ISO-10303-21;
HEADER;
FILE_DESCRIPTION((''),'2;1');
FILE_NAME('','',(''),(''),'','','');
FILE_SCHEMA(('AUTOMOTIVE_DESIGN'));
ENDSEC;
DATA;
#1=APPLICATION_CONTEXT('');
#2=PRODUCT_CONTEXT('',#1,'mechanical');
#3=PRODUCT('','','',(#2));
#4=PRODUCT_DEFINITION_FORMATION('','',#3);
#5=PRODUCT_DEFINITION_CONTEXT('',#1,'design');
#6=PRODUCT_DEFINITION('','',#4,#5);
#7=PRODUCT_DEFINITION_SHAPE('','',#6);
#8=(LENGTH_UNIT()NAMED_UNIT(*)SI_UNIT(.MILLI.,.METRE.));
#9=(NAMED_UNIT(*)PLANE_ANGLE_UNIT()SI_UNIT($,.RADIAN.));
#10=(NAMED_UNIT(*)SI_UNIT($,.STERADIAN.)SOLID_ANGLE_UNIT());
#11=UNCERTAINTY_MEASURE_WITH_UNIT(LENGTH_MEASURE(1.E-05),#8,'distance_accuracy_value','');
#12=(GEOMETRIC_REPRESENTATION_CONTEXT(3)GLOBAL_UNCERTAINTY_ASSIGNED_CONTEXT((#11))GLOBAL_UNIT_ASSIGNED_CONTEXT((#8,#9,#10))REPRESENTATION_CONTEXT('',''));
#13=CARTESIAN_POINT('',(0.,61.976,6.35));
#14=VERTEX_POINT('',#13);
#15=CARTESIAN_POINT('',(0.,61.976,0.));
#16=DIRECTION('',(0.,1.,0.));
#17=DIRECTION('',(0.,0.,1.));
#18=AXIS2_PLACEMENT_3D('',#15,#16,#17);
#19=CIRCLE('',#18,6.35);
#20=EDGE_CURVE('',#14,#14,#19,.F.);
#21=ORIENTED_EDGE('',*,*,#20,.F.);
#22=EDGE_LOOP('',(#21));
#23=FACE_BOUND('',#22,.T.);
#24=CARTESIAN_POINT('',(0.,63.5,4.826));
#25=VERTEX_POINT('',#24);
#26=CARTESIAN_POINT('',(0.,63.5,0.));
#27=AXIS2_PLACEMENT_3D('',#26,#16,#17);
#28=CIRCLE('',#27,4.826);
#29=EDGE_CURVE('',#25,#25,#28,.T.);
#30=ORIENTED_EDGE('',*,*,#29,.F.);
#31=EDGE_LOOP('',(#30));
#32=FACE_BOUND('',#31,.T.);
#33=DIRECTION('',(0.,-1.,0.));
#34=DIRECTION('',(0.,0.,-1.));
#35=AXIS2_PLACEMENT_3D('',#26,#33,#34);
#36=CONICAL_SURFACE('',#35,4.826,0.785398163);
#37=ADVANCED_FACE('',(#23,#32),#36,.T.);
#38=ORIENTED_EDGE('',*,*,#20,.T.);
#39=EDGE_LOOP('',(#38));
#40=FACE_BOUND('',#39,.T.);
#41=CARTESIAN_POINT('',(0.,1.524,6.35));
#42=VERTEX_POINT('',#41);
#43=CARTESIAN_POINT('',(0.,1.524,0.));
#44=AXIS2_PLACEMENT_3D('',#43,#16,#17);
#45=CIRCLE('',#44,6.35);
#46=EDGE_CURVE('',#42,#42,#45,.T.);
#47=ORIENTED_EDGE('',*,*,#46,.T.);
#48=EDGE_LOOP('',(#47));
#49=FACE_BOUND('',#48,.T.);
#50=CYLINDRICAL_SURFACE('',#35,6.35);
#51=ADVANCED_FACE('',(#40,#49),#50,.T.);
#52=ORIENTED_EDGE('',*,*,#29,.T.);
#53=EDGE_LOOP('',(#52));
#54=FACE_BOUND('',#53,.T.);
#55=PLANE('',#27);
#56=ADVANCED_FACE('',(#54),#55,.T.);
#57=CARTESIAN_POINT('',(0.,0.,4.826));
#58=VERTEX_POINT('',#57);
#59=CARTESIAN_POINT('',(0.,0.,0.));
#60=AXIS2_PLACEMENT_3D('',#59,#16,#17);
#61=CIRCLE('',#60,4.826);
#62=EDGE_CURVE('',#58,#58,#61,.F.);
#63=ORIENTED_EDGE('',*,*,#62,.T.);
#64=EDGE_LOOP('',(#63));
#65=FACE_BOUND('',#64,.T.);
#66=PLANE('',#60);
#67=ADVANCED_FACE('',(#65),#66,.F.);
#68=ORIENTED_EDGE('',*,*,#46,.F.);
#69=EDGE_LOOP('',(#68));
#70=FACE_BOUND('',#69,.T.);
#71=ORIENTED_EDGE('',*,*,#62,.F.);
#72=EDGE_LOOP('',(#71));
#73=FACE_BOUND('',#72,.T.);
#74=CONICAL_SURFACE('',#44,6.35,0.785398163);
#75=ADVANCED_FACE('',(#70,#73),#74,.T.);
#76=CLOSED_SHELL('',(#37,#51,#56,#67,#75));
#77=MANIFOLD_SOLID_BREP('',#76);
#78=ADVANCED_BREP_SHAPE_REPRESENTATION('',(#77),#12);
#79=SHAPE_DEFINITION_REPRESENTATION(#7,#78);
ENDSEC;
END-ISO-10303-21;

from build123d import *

# Parameters (mm, degrees)
SKETCH1_R           = 6.35
BOSS_EXTRUDE1_DEPTH = 63.5
CHAMFER1_SIZE       = 1.524


with BuildPart() as part:
    # Sketch1 → Boss-Extrude1 (new body)
    with BuildSketch(Plane(origin=(0, 0, 0), x_dir=(1, 0, 0), z_dir=(0, 1, 0))):
        Circle(SKETCH1_R)
    extrude(amount=BOSS_EXTRUDE1_DEPTH)

    # Chamfer1
    chamfer1_edges = [part.edges().sort_by_distance(p)[0] for p in [
        (-6.35, 0, 0),
        (-6.35, 63.5, 0),
    ]]
    chamfer(chamfer1_edges, length=CHAMFER1_SIZE)


solid = part.part
